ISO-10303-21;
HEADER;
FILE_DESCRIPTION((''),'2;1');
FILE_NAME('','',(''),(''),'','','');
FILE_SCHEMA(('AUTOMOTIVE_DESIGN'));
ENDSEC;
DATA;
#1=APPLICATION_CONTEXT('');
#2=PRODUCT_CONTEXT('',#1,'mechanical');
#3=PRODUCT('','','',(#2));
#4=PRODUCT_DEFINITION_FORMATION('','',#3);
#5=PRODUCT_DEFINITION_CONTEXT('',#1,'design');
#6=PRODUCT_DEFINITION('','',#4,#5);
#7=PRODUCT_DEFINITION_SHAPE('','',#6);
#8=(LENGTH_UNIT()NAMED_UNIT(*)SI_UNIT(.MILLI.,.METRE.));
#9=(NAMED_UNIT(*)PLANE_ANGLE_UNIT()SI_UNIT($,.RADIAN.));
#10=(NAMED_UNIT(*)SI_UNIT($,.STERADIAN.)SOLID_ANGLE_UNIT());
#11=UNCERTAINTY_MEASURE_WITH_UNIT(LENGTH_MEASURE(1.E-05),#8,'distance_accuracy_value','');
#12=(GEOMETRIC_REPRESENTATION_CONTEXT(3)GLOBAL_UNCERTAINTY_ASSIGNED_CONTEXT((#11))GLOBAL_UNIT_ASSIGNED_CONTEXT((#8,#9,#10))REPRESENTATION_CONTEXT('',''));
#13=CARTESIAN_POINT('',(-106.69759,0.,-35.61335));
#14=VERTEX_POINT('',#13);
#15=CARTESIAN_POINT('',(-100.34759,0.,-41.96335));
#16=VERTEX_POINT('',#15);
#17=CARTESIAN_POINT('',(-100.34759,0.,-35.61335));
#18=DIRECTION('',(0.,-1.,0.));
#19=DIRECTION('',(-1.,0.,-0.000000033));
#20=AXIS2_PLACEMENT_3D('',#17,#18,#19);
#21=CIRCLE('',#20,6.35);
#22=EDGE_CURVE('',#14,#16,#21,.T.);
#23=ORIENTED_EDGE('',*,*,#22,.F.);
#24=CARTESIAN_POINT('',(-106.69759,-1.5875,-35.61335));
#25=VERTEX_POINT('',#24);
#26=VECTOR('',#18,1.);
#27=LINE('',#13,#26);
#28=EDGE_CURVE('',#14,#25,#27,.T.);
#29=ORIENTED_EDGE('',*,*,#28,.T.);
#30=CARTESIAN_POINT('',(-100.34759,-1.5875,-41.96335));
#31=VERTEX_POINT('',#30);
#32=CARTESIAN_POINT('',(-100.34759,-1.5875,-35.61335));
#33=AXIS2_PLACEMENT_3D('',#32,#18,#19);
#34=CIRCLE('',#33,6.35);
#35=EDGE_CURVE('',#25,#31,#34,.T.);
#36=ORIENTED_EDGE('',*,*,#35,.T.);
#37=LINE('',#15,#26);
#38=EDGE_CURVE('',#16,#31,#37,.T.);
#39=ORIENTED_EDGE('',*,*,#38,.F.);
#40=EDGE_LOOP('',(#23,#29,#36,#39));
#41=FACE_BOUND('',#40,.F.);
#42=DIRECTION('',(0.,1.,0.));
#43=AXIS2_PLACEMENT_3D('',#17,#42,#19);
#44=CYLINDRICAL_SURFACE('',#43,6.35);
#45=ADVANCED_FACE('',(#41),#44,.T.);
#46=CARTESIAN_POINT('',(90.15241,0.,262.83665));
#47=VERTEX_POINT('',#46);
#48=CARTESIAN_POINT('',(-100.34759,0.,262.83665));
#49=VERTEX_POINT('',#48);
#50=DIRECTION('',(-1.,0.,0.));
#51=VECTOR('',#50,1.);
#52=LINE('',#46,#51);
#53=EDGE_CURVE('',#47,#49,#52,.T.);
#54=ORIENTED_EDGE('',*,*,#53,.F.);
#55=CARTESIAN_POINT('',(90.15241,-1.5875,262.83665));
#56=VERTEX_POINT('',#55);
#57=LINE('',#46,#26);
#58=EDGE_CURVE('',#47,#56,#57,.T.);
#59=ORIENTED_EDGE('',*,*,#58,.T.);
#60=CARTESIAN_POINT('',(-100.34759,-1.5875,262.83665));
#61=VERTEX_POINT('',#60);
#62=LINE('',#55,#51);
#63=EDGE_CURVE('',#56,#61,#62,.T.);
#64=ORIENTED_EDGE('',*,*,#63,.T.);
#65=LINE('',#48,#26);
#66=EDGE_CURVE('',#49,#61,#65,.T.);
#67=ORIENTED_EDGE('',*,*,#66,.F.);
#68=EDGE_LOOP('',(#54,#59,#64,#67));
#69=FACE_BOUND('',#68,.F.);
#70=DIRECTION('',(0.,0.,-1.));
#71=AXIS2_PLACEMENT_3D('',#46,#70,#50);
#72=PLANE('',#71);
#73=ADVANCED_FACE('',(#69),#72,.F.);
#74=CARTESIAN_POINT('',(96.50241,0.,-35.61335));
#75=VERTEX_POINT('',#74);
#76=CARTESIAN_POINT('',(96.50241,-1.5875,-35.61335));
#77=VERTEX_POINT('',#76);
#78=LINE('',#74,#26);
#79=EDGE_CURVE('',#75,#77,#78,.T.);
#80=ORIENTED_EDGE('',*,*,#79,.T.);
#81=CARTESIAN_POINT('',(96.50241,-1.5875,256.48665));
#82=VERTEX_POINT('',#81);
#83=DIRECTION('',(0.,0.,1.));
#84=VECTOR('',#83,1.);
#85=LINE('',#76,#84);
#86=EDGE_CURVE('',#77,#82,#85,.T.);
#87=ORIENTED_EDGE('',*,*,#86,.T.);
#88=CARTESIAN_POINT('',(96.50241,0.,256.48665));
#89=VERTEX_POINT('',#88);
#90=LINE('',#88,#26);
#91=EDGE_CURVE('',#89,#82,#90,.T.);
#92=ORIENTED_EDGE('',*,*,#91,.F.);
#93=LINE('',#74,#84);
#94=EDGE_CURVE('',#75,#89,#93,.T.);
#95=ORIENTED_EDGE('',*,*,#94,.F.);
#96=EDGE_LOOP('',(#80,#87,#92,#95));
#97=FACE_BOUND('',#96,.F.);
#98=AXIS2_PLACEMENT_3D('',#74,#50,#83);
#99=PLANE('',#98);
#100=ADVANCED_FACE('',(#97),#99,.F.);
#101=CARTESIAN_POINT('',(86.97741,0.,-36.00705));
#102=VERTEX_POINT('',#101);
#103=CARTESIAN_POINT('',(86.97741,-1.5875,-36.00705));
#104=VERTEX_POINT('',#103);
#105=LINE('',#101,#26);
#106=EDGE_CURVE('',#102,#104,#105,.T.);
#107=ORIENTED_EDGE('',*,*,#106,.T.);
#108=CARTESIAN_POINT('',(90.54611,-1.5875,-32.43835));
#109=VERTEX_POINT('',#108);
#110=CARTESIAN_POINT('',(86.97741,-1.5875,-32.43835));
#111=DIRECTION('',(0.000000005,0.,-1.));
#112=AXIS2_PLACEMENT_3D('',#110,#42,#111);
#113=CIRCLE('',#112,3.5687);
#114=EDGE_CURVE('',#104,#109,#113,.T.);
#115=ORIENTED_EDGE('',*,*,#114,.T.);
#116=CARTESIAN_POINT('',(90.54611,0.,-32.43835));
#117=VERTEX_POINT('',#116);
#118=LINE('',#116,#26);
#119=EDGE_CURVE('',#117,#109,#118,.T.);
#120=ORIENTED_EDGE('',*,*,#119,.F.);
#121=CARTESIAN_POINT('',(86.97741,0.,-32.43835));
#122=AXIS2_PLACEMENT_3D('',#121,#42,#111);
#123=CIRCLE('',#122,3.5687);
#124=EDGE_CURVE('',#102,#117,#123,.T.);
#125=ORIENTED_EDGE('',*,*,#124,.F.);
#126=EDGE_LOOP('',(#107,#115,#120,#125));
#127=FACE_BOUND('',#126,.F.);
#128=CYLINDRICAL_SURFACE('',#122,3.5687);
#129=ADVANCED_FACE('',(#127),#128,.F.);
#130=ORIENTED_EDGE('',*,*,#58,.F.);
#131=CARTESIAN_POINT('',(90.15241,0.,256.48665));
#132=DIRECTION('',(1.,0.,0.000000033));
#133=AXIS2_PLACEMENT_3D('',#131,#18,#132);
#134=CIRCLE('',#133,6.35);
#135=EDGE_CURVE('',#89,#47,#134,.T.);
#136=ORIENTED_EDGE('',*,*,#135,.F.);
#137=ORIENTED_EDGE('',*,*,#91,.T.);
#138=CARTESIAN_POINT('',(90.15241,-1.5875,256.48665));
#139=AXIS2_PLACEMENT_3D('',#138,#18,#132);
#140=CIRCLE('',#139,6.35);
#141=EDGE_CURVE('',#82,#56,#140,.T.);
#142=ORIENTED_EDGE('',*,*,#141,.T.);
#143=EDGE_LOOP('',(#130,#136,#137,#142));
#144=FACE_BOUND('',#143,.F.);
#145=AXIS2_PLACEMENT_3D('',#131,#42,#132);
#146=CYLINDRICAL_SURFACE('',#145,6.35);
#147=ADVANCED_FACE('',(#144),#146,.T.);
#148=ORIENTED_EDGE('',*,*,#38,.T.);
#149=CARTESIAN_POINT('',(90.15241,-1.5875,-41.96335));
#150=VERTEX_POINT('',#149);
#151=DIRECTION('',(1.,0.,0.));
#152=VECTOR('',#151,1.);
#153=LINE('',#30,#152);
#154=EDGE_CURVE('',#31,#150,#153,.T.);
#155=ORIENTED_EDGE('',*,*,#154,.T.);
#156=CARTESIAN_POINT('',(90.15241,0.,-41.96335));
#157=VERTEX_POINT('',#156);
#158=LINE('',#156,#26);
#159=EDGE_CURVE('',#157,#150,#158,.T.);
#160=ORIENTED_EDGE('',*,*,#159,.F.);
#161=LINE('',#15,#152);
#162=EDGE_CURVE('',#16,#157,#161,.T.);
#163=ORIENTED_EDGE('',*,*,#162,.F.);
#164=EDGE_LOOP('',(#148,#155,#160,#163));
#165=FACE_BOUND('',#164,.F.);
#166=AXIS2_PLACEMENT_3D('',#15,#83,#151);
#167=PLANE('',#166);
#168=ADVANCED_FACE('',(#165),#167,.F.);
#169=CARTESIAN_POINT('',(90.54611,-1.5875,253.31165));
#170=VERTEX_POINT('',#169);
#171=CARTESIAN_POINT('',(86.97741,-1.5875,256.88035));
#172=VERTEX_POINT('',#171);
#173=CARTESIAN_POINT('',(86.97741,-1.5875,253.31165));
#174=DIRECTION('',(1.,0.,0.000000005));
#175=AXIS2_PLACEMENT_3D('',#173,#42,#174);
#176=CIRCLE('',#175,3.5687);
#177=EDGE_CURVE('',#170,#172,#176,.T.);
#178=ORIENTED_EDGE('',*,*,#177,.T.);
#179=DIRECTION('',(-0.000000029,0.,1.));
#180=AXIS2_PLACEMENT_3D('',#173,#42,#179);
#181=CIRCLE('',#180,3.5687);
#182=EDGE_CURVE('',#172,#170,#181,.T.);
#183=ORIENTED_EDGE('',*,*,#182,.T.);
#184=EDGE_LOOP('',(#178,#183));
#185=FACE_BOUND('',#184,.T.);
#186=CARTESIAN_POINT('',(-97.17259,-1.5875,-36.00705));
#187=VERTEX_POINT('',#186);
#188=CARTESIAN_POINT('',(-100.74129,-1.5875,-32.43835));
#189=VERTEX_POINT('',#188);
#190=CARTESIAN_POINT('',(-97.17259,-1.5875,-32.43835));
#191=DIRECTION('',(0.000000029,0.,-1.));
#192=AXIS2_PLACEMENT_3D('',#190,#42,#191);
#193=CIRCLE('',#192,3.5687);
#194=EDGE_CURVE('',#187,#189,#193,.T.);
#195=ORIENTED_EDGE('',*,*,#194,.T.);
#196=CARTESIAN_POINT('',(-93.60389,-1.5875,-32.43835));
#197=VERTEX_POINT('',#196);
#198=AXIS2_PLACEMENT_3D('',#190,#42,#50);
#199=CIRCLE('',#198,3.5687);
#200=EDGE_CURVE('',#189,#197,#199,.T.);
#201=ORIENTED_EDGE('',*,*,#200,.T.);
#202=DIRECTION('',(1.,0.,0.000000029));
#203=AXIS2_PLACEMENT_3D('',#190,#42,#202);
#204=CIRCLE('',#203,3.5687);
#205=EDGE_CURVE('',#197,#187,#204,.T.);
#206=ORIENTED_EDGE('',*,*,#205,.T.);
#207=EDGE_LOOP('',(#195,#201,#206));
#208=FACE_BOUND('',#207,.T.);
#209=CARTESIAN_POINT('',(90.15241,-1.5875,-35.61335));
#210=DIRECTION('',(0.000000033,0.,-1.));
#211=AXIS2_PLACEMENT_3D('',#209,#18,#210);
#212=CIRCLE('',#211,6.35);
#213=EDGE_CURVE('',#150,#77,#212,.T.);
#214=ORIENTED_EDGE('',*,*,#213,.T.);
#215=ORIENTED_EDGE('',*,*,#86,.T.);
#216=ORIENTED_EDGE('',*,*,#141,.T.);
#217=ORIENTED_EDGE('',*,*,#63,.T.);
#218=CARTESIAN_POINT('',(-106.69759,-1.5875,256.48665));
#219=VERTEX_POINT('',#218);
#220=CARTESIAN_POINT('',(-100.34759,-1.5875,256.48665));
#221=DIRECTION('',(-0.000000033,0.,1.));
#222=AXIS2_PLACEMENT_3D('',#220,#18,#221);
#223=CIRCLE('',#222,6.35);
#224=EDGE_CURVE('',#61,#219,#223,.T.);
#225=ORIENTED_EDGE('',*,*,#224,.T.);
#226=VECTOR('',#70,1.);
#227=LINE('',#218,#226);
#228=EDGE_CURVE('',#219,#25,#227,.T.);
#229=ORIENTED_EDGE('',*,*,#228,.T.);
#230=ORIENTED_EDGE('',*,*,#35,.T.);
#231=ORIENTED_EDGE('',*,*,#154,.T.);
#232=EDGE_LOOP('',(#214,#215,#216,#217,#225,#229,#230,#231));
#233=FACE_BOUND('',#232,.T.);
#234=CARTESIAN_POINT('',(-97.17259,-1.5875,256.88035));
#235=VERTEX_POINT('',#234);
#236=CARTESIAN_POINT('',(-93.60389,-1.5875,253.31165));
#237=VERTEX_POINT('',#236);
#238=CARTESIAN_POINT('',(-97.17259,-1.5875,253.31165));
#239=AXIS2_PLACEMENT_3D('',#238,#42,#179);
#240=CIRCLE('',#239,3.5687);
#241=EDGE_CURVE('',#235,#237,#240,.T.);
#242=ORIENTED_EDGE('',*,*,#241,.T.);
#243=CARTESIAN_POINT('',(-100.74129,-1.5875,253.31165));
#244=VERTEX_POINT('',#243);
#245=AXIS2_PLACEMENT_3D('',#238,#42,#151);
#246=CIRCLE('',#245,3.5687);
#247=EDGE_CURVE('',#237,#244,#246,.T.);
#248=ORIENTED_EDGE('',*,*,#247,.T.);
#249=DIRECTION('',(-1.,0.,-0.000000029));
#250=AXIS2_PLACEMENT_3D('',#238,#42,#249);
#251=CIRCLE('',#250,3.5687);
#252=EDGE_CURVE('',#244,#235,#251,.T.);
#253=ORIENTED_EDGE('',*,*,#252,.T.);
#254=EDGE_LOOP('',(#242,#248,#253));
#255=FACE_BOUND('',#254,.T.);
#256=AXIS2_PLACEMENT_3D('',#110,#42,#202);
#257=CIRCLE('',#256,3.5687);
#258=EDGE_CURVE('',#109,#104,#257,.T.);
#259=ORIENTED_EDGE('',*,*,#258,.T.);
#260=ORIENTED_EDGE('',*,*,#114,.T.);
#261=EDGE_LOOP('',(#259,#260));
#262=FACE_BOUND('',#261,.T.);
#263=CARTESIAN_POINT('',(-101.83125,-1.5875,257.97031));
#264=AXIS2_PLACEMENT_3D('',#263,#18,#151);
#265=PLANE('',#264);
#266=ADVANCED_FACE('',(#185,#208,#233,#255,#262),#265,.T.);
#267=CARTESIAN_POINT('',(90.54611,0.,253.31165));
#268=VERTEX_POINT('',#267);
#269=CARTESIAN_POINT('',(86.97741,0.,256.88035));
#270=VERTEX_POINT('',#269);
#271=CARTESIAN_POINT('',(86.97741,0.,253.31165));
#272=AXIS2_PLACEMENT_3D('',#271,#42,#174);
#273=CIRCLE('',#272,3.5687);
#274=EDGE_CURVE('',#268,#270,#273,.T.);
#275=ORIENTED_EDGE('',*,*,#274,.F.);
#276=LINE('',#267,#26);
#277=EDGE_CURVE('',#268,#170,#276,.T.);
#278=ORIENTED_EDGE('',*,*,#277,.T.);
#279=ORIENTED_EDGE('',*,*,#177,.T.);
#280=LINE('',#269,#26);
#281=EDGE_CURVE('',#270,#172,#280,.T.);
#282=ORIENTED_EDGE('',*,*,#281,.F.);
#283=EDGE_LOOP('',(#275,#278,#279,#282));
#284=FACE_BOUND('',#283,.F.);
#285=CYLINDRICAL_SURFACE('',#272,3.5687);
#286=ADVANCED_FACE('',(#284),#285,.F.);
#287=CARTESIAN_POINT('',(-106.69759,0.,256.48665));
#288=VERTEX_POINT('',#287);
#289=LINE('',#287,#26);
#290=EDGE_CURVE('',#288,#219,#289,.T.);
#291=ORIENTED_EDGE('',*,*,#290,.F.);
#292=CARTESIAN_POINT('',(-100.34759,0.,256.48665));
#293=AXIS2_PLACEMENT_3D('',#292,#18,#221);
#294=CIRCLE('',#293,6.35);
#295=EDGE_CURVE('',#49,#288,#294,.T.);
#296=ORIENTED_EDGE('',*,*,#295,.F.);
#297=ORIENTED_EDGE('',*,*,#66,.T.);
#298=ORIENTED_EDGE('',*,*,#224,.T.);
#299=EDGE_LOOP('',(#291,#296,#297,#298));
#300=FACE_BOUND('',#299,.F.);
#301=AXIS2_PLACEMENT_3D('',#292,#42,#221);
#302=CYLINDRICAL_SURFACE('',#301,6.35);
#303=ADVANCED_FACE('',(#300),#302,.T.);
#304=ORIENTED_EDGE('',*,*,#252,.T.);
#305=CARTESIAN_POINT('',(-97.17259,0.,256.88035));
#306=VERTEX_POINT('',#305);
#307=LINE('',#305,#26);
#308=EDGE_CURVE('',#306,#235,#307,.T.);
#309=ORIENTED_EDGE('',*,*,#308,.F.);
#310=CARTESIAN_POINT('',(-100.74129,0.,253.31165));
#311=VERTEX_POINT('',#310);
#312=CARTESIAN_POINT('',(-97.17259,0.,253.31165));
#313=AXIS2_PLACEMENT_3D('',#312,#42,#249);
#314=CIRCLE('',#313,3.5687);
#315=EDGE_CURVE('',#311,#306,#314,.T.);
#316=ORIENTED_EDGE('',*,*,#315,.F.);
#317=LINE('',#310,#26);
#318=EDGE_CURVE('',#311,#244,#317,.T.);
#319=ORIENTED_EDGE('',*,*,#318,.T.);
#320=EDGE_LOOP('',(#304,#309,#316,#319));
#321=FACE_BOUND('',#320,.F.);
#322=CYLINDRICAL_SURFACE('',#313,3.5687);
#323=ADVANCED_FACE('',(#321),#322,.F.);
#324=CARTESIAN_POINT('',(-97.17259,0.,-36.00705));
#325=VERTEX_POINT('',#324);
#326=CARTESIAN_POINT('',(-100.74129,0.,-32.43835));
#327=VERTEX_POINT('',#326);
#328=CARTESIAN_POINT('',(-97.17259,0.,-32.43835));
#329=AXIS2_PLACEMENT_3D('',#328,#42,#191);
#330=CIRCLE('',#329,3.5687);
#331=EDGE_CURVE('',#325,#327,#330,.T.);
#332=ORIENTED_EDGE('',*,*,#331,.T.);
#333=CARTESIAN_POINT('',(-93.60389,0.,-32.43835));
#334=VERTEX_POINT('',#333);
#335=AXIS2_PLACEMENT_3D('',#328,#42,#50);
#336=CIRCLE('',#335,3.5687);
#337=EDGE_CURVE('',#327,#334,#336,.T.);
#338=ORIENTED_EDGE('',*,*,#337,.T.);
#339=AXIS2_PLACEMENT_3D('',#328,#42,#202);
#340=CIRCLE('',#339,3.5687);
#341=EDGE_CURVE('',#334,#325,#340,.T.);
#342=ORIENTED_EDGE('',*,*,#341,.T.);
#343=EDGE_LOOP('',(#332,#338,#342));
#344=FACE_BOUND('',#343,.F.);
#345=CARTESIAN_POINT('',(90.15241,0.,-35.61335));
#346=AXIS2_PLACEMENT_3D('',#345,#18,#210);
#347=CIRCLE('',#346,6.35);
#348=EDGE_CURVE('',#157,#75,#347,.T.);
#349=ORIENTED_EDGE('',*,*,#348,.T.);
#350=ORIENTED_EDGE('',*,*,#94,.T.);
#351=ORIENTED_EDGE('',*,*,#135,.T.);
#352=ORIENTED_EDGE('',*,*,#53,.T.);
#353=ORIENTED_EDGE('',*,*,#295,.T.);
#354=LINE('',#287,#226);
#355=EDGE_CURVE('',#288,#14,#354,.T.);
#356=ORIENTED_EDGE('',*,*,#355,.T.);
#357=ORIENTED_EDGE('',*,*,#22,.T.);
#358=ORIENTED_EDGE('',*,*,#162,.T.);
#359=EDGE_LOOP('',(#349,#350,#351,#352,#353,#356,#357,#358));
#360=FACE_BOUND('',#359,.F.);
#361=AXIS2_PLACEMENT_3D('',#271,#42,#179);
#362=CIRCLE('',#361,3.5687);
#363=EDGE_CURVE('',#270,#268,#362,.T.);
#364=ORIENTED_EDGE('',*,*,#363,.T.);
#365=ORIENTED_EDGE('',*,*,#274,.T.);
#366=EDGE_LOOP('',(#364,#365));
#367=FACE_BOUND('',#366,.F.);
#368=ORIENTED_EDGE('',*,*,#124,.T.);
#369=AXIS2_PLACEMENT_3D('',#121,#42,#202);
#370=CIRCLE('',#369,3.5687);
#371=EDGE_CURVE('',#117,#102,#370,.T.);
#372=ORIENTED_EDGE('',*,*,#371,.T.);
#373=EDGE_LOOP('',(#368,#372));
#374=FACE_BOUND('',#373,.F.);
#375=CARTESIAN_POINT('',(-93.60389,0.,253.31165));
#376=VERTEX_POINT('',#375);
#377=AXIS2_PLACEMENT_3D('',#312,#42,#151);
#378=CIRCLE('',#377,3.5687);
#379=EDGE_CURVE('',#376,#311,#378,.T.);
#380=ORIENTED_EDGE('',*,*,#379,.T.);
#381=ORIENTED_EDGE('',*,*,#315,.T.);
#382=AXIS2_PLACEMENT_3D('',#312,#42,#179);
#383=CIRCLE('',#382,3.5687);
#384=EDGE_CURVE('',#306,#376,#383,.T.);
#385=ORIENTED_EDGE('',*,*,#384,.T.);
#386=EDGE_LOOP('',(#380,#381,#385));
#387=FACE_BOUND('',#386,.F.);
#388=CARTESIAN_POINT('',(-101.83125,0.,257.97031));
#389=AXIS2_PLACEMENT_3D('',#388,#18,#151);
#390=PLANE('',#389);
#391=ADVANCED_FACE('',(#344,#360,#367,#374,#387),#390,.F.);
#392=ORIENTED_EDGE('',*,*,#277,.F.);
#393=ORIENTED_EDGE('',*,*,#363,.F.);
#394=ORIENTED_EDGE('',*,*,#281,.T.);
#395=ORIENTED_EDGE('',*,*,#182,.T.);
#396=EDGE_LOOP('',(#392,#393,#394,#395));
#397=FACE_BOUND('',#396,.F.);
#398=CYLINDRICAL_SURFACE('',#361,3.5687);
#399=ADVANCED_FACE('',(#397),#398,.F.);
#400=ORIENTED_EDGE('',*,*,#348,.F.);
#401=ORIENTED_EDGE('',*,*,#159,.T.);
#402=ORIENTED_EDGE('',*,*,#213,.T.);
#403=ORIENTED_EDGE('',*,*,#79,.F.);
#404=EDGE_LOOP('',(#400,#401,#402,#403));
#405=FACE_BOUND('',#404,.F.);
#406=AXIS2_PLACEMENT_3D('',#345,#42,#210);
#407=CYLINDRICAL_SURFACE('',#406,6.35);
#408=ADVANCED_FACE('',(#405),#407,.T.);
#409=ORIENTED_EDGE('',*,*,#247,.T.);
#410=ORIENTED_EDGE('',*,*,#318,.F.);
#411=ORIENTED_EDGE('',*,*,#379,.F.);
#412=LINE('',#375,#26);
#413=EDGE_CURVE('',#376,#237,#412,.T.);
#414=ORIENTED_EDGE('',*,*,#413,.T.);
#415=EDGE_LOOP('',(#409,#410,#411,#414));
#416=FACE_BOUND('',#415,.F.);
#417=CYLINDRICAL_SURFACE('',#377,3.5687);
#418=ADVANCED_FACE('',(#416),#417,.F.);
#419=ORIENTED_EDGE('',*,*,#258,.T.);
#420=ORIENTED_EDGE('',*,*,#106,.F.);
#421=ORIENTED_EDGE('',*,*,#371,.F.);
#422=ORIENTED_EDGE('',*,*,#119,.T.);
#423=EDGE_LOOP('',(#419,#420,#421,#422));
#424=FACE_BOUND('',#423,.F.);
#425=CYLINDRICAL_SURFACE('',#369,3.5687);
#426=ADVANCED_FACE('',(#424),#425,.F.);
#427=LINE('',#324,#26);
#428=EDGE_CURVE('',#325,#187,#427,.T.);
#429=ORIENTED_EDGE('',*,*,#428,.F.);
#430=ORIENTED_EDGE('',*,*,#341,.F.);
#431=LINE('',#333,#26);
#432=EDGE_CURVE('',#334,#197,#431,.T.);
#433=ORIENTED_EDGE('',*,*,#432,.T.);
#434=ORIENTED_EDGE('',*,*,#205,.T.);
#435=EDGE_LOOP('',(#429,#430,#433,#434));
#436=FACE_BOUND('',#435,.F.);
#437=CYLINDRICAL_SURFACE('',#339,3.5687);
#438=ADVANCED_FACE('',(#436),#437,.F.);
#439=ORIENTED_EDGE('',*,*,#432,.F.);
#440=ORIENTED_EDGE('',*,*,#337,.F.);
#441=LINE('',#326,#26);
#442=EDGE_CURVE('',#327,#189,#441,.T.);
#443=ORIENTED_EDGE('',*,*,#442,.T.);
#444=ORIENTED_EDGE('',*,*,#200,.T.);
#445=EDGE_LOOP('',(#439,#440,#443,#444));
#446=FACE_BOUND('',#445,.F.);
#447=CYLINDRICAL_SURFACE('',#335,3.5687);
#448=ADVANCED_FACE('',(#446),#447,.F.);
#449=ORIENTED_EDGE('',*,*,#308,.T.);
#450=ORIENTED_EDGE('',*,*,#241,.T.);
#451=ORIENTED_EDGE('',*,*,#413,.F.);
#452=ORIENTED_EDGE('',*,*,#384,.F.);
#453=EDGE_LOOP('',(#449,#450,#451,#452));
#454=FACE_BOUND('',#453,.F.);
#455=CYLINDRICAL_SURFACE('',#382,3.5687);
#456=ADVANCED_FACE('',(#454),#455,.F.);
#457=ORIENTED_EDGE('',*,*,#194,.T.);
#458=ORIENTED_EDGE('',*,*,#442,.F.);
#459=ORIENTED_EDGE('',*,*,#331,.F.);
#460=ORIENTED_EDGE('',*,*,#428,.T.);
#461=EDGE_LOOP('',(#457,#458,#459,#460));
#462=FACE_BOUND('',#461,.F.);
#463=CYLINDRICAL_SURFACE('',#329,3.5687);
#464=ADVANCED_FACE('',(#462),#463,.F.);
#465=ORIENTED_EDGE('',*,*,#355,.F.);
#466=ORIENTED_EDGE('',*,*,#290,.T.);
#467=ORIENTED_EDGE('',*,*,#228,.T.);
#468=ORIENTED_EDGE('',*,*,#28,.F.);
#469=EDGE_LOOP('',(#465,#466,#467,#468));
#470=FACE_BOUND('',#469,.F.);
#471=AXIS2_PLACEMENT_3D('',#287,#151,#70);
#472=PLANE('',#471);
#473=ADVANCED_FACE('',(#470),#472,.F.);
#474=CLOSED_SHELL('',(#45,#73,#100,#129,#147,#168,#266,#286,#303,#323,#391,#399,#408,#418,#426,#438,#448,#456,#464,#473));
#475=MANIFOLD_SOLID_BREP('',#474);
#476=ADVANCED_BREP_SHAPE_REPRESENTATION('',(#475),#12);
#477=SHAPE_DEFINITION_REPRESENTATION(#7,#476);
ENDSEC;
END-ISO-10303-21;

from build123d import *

# Parameters (mm, degrees)
F1_DEPTH = 1.5875


with BuildPart() as f1:
    # F0 (on Front) → F1 (new body)
    with BuildSketch(Plane.XZ):
        with BuildLine():
            Line((-97.17259, 262.83665), (-100.34759, 262.83665))
            ThreePointArc((-100.34759, 262.83665), (-104.837718, 260.976778), (-106.69759, 256.48665))
            Line((-106.69759, 256.48665), (-106.69759, 253.31165))
            Line((-106.69759, 253.31165), (-100.74129, 253.31165))
            ThreePointArc((-100.74129, 253.31165), (-99.696042, 255.835102), (-97.17259, 256.88035))
            Line((-97.17259, 256.88035), (-97.17259, 262.83665))
        make_face()
        with BuildLine():
            Line((86.97741, 262.83665), (-97.17259, 262.83665))
            Line((-97.17259, 262.83665), (-97.17259, 256.88035))
            ThreePointArc((-97.17259, 256.88035), (-94.649138, 255.835102), (-93.60389, 253.31165))
            ThreePointArc((-93.60389, 253.31165), (-97.17259, 249.74295), (-100.74129, 253.31165))
            Line((-100.74129, 253.31165), (-106.69759, 253.31165))
            Line((-106.69759, 253.31165), (-106.69759, -32.43835))
            Line((-106.69759, -32.43835), (-100.74129, -32.43835))
            ThreePointArc((-100.74129, -32.43835), (-97.17259, -28.86965), (-93.60389, -32.43835))
            ThreePointArc((-93.60389, -32.43835), (-94.649138, -34.961802), (-97.17259, -36.00705))
            Line((-97.17259, -36.00705), (-97.17259, -41.96335))
            Line((-97.17259, -41.96335), (86.97741, -41.96335))
            Line((86.97741, -41.96335), (86.97741, -36.00705))
            ThreePointArc((86.97741, -36.00705), (84.453958, -29.914898), (90.54611, -32.43835))
            Line((90.54611, -32.43835), (96.50241, -32.43835))
            Line((96.50241, -32.43835), (96.50241, 253.31165))
            Line((96.50241, 253.31165), (90.54611, 253.31165))
            ThreePointArc((90.54611, 253.31165), (84.453958, 250.788198), (86.97741, 256.88035))
            Line((86.97741, 256.88035), (86.97741, 262.83665))
        make_face()
        with BuildLine():
            Line((90.15241, 262.83665), (86.97741, 262.83665))
            Line((86.97741, 262.83665), (86.97741, 256.88035))
            ThreePointArc((86.97741, 256.88035), (89.500862, 255.835102), (90.54611, 253.31165))
            Line((90.54611, 253.31165), (96.50241, 253.31165))
            Line((96.50241, 253.31165), (96.50241, 256.48665))
            ThreePointArc((96.50241, 256.48665), (94.642538, 260.976778), (90.15241, 262.83665))
        make_face()
        with BuildLine():
            Line((-100.74129, -32.43835), (-106.69759, -32.43835))
            Line((-106.69759, -32.43835), (-106.69759, -35.61335))
            ThreePointArc((-106.69759, -35.61335), (-104.837718, -40.103478), (-100.34759, -41.96335))
            Line((-100.34759, -41.96335), (-97.17259, -41.96335))
            Line((-97.17259, -41.96335), (-97.17259, -36.00705))
            ThreePointArc((-97.17259, -36.00705), (-99.696042, -34.961802), (-100.74129, -32.43835))
        make_face()
        with BuildLine():
            Line((96.50241, -35.61335), (96.50241, -32.43835))
            Line((96.50241, -32.43835), (90.54611, -32.43835))
            ThreePointArc((90.54611, -32.43835), (89.500862, -34.961802), (86.97741, -36.00705))
            Line((86.97741, -36.00705), (86.97741, -41.96335))
            Line((86.97741, -41.96335), (90.15241, -41.96335))
            ThreePointArc((90.15241, -41.96335), (94.642538, -40.103478), (96.50241, -35.61335))
        make_face()
    extrude(amount=F1_DEPTH)


solid = f1.part
